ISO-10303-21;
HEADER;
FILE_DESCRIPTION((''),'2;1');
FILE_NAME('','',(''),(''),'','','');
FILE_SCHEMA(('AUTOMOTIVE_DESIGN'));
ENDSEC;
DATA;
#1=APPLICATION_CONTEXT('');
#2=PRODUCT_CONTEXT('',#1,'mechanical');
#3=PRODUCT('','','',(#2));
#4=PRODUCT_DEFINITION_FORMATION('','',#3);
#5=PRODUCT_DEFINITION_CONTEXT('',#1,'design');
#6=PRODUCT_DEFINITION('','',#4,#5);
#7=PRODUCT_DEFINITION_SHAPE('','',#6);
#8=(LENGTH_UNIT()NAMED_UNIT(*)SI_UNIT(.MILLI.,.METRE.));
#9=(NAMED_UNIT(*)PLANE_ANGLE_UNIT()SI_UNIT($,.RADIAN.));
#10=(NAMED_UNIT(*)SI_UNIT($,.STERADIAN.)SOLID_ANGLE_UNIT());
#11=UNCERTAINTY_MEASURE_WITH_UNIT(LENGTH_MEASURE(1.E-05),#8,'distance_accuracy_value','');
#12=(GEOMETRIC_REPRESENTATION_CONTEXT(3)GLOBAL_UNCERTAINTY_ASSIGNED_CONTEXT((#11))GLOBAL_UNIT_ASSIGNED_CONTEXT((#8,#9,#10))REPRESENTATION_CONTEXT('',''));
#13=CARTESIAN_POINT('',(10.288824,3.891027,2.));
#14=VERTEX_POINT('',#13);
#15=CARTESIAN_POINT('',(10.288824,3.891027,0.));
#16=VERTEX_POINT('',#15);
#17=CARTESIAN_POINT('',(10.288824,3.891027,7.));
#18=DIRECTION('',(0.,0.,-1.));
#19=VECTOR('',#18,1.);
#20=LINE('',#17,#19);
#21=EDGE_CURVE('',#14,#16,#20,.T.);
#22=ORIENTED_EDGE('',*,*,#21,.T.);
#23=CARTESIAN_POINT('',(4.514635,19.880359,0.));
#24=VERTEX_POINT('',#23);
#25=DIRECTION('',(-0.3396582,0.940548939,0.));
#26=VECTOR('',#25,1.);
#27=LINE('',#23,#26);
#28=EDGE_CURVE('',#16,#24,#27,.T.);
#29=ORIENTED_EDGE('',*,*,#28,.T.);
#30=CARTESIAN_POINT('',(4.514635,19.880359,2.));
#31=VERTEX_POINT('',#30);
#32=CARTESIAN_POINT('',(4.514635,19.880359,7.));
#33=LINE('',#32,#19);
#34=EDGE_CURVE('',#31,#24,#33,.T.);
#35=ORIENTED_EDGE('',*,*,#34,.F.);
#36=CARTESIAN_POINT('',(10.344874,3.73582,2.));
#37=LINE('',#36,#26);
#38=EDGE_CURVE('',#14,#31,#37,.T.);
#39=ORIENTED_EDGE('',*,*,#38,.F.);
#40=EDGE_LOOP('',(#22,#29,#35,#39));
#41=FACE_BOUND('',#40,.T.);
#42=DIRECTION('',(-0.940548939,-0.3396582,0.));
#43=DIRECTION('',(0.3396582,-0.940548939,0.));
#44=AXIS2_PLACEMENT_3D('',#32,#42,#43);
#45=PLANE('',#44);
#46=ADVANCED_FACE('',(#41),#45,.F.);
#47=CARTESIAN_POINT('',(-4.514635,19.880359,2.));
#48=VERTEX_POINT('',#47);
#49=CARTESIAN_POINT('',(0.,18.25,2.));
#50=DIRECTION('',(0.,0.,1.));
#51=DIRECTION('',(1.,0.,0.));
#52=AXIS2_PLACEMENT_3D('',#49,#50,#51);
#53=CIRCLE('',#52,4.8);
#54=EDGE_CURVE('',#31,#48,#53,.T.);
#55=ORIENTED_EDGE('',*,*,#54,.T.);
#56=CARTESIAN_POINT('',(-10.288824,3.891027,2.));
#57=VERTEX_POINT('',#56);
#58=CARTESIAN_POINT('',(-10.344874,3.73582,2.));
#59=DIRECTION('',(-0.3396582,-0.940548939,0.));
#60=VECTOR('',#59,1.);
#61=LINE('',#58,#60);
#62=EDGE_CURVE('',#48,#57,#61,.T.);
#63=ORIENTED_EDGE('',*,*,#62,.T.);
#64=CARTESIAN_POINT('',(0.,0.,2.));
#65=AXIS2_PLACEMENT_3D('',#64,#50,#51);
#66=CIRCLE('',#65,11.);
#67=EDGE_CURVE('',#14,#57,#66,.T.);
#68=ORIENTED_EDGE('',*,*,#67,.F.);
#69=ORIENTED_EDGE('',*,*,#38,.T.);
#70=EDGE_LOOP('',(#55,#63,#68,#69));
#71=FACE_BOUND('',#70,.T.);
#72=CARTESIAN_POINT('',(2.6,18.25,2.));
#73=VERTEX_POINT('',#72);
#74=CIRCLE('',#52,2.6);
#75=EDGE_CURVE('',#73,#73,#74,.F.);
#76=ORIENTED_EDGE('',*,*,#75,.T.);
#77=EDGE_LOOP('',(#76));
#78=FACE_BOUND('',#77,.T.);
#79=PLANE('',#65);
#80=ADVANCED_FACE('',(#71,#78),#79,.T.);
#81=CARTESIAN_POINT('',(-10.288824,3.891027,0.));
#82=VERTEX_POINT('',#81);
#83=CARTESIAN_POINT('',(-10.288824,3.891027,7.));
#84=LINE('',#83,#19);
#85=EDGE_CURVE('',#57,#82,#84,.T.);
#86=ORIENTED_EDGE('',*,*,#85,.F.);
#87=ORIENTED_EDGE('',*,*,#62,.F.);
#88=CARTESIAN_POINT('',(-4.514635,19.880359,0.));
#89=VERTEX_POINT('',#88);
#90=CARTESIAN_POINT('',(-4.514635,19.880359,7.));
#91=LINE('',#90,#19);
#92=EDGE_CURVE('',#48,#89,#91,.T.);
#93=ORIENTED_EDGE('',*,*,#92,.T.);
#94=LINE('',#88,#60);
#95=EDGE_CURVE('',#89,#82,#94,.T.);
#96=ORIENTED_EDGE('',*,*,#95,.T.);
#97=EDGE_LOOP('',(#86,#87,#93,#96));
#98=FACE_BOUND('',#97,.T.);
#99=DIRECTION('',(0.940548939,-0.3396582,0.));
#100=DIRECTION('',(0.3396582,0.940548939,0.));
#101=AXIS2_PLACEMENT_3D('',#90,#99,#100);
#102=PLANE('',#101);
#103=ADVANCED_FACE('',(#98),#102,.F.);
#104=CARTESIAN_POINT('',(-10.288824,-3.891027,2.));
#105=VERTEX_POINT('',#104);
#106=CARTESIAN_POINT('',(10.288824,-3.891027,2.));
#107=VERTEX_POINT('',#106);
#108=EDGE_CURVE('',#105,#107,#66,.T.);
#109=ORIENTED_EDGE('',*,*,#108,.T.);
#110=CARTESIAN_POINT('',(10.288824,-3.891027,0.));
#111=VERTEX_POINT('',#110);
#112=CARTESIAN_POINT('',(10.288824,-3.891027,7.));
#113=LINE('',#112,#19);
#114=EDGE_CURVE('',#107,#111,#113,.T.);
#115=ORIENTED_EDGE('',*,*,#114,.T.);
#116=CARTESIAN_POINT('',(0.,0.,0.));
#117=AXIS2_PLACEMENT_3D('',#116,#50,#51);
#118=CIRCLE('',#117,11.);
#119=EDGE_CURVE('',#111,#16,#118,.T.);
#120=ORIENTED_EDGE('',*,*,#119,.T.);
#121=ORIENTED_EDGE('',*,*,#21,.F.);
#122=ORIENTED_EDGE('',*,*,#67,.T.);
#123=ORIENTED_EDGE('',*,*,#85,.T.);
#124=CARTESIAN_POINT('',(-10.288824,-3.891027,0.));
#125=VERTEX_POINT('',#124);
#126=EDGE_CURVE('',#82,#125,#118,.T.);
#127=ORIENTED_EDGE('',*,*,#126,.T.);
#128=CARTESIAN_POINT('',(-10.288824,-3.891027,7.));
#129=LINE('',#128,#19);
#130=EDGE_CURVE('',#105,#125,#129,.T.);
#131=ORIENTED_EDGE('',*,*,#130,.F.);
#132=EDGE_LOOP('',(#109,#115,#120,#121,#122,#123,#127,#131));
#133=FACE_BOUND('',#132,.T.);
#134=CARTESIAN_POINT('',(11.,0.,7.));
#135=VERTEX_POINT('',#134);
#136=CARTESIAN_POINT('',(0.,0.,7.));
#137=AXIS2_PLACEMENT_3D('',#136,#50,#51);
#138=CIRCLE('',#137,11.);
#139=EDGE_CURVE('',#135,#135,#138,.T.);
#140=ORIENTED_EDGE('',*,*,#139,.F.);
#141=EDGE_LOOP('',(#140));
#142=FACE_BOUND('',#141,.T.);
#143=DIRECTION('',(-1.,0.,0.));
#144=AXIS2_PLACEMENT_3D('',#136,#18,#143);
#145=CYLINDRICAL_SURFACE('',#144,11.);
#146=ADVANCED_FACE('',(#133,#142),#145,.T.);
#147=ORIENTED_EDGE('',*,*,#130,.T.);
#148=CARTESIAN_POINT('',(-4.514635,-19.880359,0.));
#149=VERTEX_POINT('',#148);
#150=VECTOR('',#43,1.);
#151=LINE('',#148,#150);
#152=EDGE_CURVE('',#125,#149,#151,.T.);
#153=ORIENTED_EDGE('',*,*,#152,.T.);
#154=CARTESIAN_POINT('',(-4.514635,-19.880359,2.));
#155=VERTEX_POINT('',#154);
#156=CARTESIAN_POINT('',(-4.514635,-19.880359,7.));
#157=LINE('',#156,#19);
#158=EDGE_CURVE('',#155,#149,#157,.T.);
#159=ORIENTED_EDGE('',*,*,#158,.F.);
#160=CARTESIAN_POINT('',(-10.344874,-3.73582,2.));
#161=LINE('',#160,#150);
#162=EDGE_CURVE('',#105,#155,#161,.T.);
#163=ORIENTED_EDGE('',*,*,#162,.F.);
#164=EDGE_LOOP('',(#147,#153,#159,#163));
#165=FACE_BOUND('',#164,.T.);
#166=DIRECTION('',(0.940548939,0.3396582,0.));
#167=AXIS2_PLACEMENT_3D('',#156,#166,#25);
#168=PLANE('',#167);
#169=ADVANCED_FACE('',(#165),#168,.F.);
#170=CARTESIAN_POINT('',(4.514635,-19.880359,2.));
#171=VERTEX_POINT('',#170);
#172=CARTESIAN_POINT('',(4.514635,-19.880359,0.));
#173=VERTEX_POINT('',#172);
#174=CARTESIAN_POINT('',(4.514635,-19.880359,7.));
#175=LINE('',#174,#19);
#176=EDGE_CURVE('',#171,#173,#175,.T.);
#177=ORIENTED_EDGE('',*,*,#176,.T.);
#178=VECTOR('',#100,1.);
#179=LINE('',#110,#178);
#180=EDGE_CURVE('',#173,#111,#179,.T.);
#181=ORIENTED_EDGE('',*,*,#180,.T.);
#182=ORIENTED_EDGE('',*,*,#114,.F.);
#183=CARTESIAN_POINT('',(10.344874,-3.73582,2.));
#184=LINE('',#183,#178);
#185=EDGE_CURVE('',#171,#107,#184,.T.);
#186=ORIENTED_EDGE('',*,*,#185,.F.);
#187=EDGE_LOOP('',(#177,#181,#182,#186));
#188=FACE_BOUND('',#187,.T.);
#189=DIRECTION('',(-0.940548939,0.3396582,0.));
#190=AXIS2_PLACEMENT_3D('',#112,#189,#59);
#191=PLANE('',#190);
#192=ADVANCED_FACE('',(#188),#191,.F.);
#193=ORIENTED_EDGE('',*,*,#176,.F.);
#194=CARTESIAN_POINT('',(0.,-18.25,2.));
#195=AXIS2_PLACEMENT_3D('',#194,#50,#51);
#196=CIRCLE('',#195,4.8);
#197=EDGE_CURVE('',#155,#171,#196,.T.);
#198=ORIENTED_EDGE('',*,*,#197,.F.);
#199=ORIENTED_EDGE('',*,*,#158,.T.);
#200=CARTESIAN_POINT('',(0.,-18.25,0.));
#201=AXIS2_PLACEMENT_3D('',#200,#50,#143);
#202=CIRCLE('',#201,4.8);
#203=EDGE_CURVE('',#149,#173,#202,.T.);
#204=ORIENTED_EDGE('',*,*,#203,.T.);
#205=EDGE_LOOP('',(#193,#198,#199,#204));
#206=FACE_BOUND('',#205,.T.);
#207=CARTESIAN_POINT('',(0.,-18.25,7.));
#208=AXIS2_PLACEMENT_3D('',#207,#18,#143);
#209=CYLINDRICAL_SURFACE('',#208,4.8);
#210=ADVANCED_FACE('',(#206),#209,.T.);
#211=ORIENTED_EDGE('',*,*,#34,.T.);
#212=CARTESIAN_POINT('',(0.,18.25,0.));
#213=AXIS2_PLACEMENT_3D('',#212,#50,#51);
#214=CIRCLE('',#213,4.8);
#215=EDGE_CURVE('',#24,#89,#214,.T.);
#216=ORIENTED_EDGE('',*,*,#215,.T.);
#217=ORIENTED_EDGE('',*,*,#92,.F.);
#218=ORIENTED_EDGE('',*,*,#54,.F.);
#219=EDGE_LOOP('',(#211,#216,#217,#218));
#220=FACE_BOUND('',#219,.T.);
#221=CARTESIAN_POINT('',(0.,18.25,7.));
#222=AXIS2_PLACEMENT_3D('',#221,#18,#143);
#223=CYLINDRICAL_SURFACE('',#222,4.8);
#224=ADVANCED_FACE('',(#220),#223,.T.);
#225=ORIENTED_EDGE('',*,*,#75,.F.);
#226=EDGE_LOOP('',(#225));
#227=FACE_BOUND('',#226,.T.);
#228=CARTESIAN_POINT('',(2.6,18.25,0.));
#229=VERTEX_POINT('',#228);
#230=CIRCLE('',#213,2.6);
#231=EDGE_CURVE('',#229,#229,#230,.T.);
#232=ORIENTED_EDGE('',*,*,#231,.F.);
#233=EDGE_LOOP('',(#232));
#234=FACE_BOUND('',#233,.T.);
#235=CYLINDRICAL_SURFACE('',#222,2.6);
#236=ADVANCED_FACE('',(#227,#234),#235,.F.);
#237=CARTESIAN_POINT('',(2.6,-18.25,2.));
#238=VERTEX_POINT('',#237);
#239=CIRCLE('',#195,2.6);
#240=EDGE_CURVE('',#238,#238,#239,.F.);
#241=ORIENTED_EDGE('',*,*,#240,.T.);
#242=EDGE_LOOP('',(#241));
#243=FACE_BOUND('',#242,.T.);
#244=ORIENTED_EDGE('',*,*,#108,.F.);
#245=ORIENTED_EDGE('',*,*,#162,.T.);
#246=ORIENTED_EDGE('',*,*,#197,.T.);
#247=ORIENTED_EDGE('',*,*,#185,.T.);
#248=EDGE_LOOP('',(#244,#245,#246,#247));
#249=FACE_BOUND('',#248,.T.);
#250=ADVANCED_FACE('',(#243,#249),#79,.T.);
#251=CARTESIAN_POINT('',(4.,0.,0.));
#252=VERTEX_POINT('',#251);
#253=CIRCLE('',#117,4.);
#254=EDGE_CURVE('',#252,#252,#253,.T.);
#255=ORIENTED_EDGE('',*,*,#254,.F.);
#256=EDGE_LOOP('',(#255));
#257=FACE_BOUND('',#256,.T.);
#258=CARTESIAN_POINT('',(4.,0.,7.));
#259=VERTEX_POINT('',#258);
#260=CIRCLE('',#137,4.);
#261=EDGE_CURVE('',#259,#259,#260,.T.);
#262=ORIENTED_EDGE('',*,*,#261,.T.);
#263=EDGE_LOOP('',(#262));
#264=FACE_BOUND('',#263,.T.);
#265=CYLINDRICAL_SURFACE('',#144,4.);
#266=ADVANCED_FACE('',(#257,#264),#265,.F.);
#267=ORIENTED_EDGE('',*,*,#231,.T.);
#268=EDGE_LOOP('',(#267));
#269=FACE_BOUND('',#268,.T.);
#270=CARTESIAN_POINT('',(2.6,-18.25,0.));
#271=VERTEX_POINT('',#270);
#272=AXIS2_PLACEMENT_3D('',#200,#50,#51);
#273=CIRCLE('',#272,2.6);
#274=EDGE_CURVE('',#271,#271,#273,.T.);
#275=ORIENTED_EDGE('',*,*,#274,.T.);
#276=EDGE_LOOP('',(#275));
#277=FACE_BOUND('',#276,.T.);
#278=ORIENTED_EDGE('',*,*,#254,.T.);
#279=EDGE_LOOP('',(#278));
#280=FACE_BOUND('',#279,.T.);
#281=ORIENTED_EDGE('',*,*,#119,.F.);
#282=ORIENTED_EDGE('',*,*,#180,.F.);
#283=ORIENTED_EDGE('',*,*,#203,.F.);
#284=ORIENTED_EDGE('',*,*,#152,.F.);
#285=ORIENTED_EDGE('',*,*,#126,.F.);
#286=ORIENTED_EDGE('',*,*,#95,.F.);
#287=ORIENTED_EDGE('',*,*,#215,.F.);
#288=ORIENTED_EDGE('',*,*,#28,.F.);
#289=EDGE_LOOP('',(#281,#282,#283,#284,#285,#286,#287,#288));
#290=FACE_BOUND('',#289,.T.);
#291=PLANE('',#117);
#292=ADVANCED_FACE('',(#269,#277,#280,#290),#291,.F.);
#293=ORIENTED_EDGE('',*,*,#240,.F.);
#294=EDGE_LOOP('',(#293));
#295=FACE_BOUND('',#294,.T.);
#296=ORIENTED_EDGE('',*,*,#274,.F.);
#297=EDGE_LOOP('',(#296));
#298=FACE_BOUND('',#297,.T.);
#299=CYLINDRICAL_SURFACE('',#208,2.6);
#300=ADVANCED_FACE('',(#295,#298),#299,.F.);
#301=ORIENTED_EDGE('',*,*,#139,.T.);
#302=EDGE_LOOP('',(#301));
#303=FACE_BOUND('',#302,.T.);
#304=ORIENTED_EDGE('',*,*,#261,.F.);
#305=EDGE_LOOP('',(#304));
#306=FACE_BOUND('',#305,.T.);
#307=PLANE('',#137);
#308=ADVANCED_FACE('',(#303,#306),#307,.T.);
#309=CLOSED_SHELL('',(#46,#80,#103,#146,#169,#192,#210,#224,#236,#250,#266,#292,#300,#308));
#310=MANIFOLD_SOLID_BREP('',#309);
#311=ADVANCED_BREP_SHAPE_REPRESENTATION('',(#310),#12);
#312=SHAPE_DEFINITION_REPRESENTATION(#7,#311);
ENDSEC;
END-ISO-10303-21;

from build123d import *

# Parameters (mm, degrees)
CROQUIS1_R              = 4
CROQUIS1_R_2            = 2.6
SALIENTE_EXTRUIR1_DEPTH = 7
CROQUIS2_R              = 2.6
CORTAR_EXTRUIR1_DEPTH   = 5


with BuildPart() as part:
    # Croquis1 → Saliente-Extruir1 (new body)
    with BuildSketch(Plane.XY):
        with BuildLine():
            Line((10.288824315, -3.891027397), (4.514634908, -19.880359362))
            ThreePointArc((4.514634908, -19.880359362), (0, -23.05), (-4.514634908, -19.880359362))
            Line((-4.514634908, -19.880359362), (-10.288824315, -3.891027397))
            ThreePointArc((-10.288824315, -3.891027397), (-11, 0), (-10.288824315, 3.891027397))
            Line((-10.288824315, 3.891027397), (-4.514634908, 19.880359362))
            ThreePointArc((-4.514634908, 19.880359362), (0, 23.05), (4.514634908, 19.880359362))
            Line((4.514634908, 19.880359362), (10.288824315, 3.891027397))
            ThreePointArc((10.288824315, 3.891027397), (11, 0), (10.288824315, -3.891027397))
        make_face()
        Circle(CROQUIS1_R, mode=Mode.SUBTRACT)
        with Locations((0, 18.25)):
            Circle(CROQUIS1_R_2, mode=Mode.SUBTRACT)
        with Locations((0, -18.25)):
            Circle(CROQUIS1_R_2, mode=Mode.SUBTRACT)
    extrude(amount=SALIENTE_EXTRUIR1_DEPTH)

    # Croquis2 → Cortar-Extruir1 (cut)
    with BuildSketch(Plane.XY.offset(7)):
        with BuildLine():
            Line((-4.514634908, 19.880359362), (-10.288824315, 3.891027397))
            ThreePointArc((-10.288824315, 3.891027397), (0, 11), (10.288824315, 3.891027397))
            Line((10.288824315, 3.891027397), (4.514634908, 19.880359362))
            ThreePointArc((4.514634908, 19.880359362), (0, 23.05), (-4.514634908, 19.880359362))
        make_face()
        with Locations((0, 18.25)):
            Circle(CROQUIS2_R, mode=Mode.SUBTRACT)
        with BuildLine():
            ThreePointArc((10.288824315, -3.891027397), (0, -11), (-10.288824315, -3.891027397))
            Line((-10.288824315, -3.891027397), (-4.514634908, -19.880359362))
            ThreePointArc((-4.514634908, -19.880359362), (0, -23.05), (4.514634908, -19.880359362))
            Line((4.514634908, -19.880359362), (10.288824315, -3.891027397))
        make_face()
        with Locations((0, -18.25)):
            Circle(CROQUIS2_R, mode=Mode.SUBTRACT)
    extrude(amount=-CORTAR_EXTRUIR1_DEPTH, mode=Mode.SUBTRACT)


solid = part.part
